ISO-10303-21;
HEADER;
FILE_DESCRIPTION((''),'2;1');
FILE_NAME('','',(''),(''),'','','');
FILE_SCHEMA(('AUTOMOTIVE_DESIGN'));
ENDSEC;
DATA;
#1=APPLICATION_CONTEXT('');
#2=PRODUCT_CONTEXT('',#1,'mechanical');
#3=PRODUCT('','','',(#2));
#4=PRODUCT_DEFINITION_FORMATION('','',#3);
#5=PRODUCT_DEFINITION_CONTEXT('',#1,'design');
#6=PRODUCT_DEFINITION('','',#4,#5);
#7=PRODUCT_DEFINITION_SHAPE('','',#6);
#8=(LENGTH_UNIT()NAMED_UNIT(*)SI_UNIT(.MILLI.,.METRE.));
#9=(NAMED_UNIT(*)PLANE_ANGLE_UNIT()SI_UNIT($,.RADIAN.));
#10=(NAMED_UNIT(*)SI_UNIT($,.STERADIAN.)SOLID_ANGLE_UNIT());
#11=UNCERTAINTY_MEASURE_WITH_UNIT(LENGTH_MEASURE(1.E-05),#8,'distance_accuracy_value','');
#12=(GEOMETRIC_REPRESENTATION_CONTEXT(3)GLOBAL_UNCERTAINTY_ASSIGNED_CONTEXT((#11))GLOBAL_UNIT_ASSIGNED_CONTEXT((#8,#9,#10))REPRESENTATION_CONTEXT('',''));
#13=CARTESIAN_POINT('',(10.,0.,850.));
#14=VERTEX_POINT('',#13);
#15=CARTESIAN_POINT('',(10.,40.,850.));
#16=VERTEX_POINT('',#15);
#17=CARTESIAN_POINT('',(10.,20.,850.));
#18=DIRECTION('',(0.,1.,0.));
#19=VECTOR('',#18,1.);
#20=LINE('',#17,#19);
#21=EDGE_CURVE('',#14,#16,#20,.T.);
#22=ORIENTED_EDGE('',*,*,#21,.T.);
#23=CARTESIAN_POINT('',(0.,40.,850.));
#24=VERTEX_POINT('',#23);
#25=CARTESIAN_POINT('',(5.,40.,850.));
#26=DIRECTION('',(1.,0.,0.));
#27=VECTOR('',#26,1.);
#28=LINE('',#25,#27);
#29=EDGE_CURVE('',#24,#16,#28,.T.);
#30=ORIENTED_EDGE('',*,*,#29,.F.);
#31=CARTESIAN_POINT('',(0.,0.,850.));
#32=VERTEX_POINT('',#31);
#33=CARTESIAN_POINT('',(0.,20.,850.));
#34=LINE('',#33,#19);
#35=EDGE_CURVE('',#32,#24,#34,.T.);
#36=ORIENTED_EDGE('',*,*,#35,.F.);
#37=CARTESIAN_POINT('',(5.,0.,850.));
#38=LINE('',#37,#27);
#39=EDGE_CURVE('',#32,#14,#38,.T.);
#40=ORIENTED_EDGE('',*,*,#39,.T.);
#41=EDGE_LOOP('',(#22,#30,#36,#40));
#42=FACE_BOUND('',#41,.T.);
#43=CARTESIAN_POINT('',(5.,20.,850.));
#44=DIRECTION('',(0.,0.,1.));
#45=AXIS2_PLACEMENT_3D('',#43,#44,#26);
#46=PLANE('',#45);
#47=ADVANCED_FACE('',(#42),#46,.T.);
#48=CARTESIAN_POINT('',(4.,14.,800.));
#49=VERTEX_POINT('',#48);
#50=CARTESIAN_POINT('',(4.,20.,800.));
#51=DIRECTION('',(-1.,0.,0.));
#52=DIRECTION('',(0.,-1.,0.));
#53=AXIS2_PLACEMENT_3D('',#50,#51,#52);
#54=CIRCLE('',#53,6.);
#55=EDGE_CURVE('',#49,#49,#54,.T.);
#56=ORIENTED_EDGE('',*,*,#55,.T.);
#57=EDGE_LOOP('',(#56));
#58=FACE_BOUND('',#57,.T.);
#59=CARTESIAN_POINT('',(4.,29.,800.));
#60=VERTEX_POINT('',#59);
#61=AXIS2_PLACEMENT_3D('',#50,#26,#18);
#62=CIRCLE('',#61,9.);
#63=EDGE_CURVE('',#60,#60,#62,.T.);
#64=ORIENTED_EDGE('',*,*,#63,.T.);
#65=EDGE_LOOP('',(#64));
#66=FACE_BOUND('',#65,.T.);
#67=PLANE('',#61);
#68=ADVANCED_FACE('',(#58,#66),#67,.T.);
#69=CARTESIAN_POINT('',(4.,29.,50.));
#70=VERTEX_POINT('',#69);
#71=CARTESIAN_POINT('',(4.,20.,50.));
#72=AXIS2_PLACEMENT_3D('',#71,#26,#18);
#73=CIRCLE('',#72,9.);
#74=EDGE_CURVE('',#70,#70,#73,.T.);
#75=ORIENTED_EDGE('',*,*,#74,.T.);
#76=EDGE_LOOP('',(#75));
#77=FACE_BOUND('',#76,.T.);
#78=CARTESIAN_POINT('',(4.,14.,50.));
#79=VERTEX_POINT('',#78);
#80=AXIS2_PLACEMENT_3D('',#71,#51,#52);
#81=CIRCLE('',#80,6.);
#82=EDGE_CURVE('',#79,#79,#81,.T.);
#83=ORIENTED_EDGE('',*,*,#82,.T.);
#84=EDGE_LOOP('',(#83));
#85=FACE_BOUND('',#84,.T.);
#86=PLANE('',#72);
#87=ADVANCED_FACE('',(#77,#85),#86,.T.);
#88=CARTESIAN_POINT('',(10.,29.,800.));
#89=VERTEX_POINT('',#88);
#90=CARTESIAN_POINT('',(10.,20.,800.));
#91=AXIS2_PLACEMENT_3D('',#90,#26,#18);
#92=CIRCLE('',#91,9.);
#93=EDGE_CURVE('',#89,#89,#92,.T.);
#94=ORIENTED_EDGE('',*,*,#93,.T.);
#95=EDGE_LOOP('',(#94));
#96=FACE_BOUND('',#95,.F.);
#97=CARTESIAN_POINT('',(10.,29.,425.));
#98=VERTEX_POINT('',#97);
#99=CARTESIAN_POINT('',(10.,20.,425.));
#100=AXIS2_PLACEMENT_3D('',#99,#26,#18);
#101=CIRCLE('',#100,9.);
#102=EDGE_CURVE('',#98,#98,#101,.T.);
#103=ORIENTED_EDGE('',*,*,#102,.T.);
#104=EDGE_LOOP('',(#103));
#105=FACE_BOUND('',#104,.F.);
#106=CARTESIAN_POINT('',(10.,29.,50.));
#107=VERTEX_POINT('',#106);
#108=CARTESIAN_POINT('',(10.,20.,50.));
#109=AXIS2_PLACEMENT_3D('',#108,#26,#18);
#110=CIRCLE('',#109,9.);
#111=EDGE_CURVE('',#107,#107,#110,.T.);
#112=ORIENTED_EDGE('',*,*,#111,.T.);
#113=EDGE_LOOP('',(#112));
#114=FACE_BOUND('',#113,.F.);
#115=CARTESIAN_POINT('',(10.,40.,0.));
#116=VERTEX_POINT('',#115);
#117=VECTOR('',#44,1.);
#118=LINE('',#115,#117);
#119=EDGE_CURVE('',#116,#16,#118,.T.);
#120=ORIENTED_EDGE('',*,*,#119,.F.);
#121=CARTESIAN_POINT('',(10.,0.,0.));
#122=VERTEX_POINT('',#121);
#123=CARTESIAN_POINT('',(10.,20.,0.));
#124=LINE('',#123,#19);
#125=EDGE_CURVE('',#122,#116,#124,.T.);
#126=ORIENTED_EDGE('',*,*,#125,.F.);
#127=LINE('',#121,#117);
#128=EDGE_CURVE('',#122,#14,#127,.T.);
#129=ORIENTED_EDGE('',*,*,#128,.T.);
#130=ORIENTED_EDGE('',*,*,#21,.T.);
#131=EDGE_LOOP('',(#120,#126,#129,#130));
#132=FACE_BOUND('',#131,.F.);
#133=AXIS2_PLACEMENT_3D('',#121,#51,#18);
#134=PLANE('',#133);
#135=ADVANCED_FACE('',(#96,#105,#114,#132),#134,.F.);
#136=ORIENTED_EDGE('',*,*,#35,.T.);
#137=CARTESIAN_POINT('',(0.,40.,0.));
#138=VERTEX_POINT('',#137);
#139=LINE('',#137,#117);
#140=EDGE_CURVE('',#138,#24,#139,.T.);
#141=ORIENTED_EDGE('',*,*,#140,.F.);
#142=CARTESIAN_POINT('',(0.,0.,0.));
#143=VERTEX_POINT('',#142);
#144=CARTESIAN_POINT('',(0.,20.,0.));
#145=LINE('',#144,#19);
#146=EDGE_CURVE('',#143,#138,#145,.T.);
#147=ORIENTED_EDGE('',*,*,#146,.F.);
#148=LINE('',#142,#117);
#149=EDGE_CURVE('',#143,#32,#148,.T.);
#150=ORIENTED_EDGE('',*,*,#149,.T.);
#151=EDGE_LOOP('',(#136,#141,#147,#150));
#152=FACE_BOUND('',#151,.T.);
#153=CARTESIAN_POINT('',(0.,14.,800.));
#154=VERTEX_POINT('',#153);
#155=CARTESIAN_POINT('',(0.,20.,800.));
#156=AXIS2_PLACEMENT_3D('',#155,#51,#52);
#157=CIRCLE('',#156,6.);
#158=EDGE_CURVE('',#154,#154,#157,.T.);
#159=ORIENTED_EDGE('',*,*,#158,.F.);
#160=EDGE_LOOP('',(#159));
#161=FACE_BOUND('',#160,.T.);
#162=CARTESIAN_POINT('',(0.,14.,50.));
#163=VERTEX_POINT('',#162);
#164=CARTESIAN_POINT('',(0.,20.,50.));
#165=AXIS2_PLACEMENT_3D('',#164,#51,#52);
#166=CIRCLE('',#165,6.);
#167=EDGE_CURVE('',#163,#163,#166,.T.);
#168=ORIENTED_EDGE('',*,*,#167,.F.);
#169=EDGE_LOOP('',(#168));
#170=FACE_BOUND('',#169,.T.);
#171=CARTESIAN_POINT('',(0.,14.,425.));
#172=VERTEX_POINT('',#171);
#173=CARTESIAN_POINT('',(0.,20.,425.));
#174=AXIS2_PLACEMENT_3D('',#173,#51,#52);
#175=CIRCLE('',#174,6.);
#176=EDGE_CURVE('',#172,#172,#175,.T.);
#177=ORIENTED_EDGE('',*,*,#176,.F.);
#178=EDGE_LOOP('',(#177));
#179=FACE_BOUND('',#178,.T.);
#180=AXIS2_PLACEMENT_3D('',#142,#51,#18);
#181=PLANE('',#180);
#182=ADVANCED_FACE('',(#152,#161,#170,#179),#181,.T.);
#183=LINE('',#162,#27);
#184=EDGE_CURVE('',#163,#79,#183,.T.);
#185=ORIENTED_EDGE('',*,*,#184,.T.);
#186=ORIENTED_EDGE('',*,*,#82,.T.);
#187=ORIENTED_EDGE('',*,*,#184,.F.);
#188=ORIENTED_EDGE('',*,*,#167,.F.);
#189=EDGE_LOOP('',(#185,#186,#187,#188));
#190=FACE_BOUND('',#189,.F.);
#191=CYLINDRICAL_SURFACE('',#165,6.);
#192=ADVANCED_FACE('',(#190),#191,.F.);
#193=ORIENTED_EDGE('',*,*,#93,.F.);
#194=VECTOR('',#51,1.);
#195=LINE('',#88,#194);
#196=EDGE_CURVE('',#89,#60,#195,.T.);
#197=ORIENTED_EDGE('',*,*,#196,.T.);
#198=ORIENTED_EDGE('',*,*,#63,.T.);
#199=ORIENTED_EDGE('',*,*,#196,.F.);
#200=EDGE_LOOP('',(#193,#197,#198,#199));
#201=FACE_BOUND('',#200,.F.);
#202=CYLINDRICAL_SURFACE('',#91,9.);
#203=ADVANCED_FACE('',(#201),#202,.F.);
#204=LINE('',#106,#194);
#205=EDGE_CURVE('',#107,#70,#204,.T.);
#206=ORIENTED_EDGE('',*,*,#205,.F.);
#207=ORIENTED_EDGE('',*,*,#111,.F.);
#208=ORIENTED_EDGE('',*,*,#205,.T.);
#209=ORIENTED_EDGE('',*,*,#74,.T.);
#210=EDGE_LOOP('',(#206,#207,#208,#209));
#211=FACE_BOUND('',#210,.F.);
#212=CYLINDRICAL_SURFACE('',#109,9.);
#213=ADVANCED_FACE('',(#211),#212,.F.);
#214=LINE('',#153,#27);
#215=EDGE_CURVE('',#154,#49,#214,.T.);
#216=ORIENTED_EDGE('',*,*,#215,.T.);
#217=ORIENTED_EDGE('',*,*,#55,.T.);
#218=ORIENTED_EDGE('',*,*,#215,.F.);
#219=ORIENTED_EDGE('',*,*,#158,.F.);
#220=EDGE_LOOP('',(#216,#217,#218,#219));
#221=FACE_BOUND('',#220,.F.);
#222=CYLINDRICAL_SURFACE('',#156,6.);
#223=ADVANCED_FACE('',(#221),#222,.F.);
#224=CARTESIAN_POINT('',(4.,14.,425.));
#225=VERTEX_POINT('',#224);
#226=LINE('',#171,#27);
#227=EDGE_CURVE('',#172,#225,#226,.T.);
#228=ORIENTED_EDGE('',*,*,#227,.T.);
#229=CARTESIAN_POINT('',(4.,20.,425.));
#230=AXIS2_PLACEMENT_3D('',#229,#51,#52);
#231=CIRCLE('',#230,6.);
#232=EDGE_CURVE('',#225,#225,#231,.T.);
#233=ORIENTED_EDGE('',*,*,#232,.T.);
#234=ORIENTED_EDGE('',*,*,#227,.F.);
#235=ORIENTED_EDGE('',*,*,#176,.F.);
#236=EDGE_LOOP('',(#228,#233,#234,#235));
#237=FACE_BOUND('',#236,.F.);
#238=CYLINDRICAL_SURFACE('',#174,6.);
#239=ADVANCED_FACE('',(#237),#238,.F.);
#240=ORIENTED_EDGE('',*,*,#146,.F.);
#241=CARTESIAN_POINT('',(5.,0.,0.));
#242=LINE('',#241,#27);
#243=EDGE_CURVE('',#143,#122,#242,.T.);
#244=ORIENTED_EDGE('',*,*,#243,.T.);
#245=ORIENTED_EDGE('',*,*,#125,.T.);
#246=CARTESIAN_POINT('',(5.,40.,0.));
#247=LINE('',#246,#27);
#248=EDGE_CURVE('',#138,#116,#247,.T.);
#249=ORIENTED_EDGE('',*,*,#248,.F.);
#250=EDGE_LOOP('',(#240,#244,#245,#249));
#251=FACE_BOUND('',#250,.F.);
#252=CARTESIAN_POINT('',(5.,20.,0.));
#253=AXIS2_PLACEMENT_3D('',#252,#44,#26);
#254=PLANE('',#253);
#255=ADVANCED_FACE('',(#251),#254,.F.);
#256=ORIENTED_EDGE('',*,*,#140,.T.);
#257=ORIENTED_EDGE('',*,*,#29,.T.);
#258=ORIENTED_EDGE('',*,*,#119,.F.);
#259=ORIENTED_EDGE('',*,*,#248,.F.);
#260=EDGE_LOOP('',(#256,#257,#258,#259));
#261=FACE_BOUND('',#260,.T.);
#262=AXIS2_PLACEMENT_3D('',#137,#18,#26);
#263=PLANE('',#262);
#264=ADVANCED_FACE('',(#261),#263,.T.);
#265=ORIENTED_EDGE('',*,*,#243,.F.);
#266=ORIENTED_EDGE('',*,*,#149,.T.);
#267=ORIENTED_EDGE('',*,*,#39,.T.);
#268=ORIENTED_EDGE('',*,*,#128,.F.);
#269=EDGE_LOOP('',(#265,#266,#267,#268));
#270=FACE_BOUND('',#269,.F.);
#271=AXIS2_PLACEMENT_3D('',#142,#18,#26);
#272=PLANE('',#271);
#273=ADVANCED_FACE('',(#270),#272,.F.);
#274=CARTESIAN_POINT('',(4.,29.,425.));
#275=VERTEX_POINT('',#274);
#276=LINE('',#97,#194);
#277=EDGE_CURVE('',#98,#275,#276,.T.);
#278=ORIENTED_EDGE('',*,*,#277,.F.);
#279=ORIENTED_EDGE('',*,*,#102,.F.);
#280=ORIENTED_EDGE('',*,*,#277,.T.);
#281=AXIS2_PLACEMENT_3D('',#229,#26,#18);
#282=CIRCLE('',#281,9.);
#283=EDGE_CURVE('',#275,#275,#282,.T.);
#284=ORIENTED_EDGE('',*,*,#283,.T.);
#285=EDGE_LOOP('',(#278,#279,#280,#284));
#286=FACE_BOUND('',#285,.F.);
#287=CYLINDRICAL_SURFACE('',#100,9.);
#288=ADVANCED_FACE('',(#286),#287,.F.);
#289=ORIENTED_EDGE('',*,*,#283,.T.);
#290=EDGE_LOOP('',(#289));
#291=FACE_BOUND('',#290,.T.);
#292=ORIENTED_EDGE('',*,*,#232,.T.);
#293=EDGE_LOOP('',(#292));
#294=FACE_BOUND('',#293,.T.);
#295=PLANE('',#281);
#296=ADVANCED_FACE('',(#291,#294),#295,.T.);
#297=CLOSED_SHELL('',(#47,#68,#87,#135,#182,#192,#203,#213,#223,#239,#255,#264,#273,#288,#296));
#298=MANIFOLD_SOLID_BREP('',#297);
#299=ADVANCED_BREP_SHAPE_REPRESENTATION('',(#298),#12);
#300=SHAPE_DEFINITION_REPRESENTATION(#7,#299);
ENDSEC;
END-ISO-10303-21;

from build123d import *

# Parameters (mm, degrees)
SKETCH_W        = 10
SKETCH_H        = 40
PAD_DEPTH       = 850
SKETCH001_R     = 6
POCKET_DEPTH    = 10.001
SKETCH002_R     = 9
POCKET001_DEPTH = 6


with BuildPart() as part:
    # Sketch → Pad (new body)
    with BuildSketch(Plane.XY):
        with Locations((5, 20)):
            Rectangle(SKETCH_W, SKETCH_H)
    extrude(amount=PAD_DEPTH)

    # Sketch001 (on Face4 of Pad) → Pocket (cut, through all)
    with BuildSketch(Plane(origin=(0, 0, 0), x_dir=(0, -1, 0), z_dir=(-1, 0, 0))):
        with Locations((-20, 50)):
            Circle(SKETCH001_R)
        with Locations((-20, 425)):
            Circle(SKETCH001_R)
        with Locations((-20, 800)):
            Circle(SKETCH001_R)
    extrude(amount=-POCKET_DEPTH, mode=Mode.SUBTRACT)

    # Sketch002 (on Face3 of Pocket) → Pocket001 (cut)
    with BuildSketch(Plane.YZ.offset(10)):
        with Locations((20, 800)):
            Circle(SKETCH002_R)
        with Locations((20, 425)):
            Circle(SKETCH002_R)
        with Locations((20, 50)):
            Circle(SKETCH002_R)
    extrude(amount=-POCKET001_DEPTH, mode=Mode.SUBTRACT)


solid = part.part
